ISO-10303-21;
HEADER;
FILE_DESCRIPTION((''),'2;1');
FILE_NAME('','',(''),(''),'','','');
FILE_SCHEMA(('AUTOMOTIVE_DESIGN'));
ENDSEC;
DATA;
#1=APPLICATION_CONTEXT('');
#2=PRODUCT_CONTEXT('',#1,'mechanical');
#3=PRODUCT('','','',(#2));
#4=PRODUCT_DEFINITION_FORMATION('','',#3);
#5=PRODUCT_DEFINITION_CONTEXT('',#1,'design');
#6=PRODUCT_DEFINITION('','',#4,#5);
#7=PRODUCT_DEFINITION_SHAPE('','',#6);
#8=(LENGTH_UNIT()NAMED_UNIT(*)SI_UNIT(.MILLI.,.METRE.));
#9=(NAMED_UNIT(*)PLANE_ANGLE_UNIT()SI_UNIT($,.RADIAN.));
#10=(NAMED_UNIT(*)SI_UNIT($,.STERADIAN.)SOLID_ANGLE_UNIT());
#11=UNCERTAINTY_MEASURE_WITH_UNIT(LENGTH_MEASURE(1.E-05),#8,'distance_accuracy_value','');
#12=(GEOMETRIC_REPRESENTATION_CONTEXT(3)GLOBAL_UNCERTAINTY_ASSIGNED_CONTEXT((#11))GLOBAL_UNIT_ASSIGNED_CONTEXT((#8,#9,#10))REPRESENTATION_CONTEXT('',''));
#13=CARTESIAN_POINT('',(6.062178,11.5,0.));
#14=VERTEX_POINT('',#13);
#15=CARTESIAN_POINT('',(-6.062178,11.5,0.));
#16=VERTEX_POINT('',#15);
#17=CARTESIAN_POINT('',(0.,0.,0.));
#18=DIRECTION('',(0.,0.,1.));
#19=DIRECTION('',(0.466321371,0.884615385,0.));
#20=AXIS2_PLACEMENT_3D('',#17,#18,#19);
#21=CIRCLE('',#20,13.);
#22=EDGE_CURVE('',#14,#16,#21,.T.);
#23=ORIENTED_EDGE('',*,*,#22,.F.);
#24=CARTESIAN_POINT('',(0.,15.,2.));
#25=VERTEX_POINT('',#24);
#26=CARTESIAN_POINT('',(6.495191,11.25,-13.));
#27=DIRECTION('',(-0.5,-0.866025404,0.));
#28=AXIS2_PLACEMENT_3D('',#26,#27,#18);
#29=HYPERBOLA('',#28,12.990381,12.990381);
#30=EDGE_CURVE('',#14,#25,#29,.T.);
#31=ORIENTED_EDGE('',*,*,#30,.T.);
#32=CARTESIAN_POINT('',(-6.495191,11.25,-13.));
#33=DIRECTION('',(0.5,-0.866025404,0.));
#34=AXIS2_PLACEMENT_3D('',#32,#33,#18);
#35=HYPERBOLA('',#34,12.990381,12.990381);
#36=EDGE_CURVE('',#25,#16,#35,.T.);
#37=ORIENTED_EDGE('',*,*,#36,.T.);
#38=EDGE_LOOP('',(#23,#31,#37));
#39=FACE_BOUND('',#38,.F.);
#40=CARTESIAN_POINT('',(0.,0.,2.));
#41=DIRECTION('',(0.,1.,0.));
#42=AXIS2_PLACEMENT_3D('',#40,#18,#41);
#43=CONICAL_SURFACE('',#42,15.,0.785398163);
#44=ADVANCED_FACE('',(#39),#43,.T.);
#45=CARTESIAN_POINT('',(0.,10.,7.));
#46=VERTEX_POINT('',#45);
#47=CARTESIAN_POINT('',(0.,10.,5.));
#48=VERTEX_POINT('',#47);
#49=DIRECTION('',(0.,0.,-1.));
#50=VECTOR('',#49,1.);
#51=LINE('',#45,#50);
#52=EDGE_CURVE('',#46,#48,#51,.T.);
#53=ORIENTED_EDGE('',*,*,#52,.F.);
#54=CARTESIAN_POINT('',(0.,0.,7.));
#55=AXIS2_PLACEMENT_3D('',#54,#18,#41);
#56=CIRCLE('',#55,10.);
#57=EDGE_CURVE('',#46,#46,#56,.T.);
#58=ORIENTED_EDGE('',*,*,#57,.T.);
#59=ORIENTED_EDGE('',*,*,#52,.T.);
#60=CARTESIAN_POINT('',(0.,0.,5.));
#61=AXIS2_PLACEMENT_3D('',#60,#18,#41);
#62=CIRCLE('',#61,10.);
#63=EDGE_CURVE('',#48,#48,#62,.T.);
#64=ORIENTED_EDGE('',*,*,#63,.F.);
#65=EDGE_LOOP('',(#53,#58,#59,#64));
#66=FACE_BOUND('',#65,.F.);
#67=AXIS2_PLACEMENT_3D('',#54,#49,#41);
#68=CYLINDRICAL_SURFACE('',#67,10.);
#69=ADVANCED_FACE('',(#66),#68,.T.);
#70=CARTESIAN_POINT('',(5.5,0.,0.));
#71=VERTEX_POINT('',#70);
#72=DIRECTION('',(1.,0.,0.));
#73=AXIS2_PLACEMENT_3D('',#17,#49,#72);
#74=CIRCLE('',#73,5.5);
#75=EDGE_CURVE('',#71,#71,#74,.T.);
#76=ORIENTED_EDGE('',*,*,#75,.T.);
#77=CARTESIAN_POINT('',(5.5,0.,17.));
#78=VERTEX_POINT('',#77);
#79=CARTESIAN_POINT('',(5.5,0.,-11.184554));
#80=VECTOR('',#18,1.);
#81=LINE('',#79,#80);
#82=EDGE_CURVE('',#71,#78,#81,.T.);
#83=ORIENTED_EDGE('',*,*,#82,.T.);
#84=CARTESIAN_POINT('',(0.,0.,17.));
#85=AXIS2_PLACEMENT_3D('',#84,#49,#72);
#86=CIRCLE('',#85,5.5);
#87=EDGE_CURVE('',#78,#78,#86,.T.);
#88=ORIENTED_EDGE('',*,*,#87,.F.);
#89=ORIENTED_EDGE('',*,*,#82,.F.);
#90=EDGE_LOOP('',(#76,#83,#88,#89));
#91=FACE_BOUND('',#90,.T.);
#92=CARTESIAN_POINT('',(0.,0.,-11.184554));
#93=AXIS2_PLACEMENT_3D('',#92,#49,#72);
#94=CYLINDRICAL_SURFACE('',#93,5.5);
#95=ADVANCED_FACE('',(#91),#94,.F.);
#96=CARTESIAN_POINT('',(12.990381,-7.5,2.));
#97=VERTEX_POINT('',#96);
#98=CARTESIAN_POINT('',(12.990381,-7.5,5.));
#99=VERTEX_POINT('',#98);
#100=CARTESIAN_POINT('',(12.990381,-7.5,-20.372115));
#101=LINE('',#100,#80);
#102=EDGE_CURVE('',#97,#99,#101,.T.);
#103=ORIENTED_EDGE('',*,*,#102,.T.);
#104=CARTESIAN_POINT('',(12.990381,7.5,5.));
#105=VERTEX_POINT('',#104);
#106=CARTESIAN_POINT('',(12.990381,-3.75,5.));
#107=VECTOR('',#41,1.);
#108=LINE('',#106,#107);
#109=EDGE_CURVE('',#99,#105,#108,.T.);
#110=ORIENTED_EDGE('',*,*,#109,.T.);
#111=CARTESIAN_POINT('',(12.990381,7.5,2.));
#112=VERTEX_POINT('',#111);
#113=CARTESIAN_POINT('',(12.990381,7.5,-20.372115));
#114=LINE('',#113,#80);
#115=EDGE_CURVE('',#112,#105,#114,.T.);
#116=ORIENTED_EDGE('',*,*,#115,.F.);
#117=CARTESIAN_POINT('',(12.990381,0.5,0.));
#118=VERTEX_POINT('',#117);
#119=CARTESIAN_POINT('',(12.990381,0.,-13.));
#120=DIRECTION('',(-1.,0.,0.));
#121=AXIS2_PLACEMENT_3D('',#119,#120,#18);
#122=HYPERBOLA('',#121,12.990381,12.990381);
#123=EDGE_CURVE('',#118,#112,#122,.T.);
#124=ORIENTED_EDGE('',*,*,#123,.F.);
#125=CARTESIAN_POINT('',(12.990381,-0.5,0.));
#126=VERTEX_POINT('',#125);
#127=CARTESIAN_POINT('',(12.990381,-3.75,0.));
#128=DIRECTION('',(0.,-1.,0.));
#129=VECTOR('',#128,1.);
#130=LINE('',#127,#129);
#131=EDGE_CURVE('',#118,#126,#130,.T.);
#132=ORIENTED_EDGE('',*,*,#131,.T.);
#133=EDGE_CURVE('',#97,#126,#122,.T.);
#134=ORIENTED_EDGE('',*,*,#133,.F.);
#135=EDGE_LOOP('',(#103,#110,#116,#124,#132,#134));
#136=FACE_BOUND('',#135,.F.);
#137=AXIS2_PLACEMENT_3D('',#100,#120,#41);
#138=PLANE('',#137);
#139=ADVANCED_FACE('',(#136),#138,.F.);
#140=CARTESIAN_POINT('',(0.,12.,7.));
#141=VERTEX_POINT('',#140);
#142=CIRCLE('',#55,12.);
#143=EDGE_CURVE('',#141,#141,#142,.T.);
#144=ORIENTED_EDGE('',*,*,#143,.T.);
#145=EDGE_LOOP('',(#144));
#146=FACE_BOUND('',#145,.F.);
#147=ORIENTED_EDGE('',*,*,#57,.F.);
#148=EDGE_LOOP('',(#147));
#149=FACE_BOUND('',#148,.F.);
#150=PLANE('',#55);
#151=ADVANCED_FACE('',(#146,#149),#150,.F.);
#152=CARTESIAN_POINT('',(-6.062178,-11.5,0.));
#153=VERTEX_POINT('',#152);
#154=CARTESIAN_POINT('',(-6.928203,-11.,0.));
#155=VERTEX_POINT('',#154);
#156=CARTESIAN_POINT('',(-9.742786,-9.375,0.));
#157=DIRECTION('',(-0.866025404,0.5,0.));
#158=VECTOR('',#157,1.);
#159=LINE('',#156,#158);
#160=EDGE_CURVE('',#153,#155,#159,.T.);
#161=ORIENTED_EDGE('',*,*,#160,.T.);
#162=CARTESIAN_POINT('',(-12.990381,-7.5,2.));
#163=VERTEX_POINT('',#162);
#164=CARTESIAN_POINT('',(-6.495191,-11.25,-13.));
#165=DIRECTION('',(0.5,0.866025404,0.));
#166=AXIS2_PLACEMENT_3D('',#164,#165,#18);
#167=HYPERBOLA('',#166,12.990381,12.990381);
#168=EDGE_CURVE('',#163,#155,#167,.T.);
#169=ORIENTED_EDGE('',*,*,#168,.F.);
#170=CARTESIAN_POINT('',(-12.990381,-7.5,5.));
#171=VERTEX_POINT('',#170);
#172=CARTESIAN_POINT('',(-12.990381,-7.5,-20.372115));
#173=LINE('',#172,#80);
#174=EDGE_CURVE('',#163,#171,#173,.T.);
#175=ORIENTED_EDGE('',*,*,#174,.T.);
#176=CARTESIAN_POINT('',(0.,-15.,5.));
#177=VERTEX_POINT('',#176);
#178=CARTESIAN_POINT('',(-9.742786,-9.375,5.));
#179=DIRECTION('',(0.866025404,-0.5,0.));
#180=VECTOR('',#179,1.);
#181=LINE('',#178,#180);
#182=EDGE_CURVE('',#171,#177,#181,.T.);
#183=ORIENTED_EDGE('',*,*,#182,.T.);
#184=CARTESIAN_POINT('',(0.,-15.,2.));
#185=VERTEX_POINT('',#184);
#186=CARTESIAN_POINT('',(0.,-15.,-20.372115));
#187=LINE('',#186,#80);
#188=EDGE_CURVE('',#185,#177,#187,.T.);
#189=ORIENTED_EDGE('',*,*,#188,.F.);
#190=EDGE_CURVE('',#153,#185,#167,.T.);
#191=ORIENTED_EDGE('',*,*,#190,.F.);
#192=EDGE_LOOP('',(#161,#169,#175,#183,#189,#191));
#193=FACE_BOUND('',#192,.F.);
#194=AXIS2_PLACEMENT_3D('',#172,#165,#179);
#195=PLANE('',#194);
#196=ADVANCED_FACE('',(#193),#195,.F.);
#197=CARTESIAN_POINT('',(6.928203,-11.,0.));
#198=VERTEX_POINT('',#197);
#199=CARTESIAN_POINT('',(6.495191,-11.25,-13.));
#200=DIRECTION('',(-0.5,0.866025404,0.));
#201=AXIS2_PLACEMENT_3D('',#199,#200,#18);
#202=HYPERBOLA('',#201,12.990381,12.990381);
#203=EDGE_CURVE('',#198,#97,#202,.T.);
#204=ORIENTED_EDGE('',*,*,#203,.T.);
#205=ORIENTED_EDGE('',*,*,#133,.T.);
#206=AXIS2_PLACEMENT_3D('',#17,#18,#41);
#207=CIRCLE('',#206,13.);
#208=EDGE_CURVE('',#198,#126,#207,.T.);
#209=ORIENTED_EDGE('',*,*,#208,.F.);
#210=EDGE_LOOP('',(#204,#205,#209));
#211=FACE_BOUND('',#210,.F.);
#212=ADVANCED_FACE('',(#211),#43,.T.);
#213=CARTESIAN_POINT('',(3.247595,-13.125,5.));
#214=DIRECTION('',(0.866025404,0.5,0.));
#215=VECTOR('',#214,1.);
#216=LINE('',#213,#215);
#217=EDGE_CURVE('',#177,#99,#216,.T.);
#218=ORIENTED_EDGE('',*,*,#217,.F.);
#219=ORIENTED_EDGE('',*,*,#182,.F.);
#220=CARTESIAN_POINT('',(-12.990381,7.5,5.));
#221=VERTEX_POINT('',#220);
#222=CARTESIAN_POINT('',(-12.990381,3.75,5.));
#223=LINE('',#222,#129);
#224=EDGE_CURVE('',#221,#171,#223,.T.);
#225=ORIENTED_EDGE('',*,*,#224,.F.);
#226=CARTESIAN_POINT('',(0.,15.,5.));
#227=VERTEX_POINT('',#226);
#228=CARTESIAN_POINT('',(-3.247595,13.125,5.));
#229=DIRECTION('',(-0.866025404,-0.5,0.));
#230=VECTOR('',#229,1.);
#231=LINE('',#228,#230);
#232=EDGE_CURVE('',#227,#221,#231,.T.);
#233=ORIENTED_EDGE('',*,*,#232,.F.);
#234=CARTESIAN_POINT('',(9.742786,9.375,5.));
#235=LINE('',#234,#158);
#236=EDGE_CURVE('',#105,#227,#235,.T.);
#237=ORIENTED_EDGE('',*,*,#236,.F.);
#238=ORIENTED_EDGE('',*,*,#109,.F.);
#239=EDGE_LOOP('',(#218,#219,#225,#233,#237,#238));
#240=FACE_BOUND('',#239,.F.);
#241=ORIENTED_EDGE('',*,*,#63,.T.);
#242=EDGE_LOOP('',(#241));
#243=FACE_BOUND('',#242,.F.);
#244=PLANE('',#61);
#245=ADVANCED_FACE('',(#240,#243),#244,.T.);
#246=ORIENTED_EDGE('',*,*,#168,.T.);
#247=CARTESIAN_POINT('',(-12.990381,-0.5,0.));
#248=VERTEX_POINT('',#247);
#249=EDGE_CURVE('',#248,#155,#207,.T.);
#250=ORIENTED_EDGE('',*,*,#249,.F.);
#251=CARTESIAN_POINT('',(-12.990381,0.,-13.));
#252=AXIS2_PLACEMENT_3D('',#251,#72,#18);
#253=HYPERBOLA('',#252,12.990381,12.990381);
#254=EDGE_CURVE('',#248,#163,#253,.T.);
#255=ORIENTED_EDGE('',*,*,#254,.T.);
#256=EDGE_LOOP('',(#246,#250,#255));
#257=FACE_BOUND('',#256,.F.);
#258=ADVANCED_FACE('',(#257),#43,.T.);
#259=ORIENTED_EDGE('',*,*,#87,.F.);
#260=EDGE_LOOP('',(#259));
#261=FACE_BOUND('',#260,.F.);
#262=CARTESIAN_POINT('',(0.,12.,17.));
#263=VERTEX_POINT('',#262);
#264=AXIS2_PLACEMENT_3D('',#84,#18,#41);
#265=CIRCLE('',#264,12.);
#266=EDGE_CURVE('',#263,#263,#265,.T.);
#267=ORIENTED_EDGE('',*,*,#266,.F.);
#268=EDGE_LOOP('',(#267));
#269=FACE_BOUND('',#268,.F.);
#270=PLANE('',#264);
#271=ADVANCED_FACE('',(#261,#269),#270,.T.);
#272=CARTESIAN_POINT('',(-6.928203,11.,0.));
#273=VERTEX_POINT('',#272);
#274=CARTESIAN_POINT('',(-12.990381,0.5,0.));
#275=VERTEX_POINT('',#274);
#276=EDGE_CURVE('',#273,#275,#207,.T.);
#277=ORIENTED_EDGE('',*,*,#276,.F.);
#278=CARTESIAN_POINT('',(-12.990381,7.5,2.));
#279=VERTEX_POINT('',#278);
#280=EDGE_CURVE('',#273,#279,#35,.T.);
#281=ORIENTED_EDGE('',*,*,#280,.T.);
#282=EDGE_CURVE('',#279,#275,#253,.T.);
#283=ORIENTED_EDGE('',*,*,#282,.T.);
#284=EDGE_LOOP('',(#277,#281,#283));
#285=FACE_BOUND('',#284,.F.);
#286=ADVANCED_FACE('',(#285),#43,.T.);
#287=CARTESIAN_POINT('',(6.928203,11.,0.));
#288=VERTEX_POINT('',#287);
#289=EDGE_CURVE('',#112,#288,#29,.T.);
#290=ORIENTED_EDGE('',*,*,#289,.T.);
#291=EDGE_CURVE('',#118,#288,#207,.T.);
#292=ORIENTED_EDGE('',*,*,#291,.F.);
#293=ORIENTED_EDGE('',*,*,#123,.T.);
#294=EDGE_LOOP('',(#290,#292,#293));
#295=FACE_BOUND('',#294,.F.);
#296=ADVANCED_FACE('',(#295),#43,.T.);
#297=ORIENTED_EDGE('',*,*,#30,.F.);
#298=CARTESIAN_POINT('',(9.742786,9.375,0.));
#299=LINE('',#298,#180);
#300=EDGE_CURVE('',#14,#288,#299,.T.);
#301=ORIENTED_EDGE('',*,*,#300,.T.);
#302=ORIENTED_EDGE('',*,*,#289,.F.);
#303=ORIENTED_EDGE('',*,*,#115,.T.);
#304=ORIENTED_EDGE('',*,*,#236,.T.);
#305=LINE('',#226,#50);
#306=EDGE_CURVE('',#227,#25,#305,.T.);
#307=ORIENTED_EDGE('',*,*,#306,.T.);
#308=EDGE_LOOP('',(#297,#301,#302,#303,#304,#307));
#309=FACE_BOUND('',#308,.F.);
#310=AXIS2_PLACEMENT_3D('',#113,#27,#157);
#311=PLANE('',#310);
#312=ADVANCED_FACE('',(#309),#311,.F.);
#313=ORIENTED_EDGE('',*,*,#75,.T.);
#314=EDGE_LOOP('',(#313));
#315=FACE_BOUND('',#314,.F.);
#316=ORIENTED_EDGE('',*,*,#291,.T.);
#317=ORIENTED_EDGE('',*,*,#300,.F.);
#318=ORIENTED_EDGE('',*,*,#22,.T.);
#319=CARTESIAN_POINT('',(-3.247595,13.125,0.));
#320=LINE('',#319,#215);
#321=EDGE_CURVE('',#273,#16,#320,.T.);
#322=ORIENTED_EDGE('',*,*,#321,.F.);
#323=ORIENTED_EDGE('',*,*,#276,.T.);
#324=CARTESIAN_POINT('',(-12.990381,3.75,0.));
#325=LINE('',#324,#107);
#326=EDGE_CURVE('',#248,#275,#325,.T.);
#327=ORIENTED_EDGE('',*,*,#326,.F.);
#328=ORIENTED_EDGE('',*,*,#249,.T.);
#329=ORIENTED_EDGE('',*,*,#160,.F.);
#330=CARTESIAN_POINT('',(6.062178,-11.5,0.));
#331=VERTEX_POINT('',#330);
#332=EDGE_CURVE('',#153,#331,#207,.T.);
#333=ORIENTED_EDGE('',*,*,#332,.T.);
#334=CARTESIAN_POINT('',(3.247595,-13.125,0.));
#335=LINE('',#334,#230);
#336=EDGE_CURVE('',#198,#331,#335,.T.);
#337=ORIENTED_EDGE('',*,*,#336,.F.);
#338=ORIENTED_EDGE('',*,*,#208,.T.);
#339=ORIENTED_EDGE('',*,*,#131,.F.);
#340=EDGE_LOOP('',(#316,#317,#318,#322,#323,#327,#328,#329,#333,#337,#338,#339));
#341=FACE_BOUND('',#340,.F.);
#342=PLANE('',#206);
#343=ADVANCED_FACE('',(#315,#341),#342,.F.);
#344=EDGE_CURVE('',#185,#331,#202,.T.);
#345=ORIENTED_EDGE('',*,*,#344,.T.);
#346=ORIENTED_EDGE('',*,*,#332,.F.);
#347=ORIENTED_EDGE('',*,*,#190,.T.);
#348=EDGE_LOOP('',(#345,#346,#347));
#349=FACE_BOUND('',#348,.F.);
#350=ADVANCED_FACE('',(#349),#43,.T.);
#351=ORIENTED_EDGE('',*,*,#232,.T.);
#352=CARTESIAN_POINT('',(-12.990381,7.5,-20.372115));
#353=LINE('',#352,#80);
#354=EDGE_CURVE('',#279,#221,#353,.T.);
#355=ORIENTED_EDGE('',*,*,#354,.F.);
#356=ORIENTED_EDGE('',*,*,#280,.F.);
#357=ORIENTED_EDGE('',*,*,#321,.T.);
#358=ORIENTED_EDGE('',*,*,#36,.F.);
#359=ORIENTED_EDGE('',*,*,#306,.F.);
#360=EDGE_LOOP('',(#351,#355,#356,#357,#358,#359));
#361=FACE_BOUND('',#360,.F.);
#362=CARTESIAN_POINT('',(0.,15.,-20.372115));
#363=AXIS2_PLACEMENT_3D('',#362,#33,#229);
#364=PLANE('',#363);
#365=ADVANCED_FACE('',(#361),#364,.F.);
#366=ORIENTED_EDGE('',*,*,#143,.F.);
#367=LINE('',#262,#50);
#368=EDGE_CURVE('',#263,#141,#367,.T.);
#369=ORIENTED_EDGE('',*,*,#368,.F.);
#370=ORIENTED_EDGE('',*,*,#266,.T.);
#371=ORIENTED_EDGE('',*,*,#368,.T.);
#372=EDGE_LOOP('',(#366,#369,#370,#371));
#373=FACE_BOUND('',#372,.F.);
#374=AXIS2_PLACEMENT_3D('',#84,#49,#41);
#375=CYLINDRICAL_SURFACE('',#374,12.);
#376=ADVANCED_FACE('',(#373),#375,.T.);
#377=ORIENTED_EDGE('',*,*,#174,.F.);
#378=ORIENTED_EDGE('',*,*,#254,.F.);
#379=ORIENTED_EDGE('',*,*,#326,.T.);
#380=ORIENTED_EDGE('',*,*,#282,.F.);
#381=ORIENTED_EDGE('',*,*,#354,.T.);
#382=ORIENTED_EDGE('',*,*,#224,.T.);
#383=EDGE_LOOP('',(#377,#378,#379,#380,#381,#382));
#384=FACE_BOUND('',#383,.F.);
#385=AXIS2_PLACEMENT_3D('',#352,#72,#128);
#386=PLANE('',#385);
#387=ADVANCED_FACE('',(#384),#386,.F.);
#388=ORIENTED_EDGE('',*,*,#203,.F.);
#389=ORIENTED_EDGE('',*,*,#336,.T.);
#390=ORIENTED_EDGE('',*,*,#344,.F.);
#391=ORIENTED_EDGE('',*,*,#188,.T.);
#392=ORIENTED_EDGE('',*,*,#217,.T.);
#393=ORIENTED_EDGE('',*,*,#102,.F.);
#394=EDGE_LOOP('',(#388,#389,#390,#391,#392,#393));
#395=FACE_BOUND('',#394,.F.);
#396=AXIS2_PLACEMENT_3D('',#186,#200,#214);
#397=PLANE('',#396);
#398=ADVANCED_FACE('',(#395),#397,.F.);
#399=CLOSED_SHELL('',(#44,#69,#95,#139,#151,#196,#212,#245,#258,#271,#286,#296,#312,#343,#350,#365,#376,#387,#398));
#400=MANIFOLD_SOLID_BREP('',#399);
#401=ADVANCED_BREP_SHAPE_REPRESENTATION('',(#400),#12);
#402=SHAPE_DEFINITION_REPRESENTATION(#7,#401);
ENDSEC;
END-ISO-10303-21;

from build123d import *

# Parameters (mm, degrees)
CHAMFER_1_SIZE           = 2
CUT_EXTRUDE_1_DEPTH      = 28.184554438
CUT_EXTRUDE_1_DEPTH_BACK = 28.184554438
SKETCH_2_R               = 5.5
CUT_EXTRUDE_2_DEPTH      = 25.372115214
CUT_EXTRUDE_2_DEPTH_BACK = 25.372115214
SKETCH_3_OUTSIDE_W       = 41.142
SKETCH_3_OUTSIDE_H       = 41.142


with BuildPart() as part:
    # 草图1 → 旋转1 (revolve)
    with BuildSketch(Plane(origin=(0, 0, 0), x_dir=(0, 0, -1), z_dir=(1, 0, 0))):
        Polygon((-17, 0), (-17, 12), (-7, 12), (-7, 10), (-5, 10), (-5, 15), (0, 15), (0, 0), align=None)
    revolve(axis=Axis((0, 0, 0), (0, 0, 1)))

    # 倒角1
    chamfer_1_edges = [part.edges().sort_by_distance(p)[0] for p in [
        (0, -15, 0),
    ]]
    chamfer(chamfer_1_edges, length=CHAMFER_1_SIZE)

    # 草图2 → 切除-拉伸1 (cut, two sides: drawn at the far end of the back side and taken through both)
    with BuildSketch(Plane.XY.offset(17).offset(-CUT_EXTRUDE_1_DEPTH_BACK)):
        Circle(SKETCH_2_R)
    extrude(amount=CUT_EXTRUDE_1_DEPTH + CUT_EXTRUDE_1_DEPTH_BACK, mode=Mode.SUBTRACT)

    # 草图3 outside → 切除-拉伸2 (cut, two sides: drawn at the far end of the back side and taken through both)
    with BuildSketch(Plane.XY.offset(5).offset(-CUT_EXTRUDE_2_DEPTH_BACK)):
        Rectangle(SKETCH_3_OUTSIDE_W, SKETCH_3_OUTSIDE_H)
        Polygon((0, 15), (-12.990381057, 7.5), (-12.990381057, -7.5), (0, -15), (12.990381057, -7.5), (12.990381057, 7.5), align=None, mode=Mode.SUBTRACT)
    extrude(amount=CUT_EXTRUDE_2_DEPTH + CUT_EXTRUDE_2_DEPTH_BACK, mode=Mode.SUBTRACT)


solid = part.part
